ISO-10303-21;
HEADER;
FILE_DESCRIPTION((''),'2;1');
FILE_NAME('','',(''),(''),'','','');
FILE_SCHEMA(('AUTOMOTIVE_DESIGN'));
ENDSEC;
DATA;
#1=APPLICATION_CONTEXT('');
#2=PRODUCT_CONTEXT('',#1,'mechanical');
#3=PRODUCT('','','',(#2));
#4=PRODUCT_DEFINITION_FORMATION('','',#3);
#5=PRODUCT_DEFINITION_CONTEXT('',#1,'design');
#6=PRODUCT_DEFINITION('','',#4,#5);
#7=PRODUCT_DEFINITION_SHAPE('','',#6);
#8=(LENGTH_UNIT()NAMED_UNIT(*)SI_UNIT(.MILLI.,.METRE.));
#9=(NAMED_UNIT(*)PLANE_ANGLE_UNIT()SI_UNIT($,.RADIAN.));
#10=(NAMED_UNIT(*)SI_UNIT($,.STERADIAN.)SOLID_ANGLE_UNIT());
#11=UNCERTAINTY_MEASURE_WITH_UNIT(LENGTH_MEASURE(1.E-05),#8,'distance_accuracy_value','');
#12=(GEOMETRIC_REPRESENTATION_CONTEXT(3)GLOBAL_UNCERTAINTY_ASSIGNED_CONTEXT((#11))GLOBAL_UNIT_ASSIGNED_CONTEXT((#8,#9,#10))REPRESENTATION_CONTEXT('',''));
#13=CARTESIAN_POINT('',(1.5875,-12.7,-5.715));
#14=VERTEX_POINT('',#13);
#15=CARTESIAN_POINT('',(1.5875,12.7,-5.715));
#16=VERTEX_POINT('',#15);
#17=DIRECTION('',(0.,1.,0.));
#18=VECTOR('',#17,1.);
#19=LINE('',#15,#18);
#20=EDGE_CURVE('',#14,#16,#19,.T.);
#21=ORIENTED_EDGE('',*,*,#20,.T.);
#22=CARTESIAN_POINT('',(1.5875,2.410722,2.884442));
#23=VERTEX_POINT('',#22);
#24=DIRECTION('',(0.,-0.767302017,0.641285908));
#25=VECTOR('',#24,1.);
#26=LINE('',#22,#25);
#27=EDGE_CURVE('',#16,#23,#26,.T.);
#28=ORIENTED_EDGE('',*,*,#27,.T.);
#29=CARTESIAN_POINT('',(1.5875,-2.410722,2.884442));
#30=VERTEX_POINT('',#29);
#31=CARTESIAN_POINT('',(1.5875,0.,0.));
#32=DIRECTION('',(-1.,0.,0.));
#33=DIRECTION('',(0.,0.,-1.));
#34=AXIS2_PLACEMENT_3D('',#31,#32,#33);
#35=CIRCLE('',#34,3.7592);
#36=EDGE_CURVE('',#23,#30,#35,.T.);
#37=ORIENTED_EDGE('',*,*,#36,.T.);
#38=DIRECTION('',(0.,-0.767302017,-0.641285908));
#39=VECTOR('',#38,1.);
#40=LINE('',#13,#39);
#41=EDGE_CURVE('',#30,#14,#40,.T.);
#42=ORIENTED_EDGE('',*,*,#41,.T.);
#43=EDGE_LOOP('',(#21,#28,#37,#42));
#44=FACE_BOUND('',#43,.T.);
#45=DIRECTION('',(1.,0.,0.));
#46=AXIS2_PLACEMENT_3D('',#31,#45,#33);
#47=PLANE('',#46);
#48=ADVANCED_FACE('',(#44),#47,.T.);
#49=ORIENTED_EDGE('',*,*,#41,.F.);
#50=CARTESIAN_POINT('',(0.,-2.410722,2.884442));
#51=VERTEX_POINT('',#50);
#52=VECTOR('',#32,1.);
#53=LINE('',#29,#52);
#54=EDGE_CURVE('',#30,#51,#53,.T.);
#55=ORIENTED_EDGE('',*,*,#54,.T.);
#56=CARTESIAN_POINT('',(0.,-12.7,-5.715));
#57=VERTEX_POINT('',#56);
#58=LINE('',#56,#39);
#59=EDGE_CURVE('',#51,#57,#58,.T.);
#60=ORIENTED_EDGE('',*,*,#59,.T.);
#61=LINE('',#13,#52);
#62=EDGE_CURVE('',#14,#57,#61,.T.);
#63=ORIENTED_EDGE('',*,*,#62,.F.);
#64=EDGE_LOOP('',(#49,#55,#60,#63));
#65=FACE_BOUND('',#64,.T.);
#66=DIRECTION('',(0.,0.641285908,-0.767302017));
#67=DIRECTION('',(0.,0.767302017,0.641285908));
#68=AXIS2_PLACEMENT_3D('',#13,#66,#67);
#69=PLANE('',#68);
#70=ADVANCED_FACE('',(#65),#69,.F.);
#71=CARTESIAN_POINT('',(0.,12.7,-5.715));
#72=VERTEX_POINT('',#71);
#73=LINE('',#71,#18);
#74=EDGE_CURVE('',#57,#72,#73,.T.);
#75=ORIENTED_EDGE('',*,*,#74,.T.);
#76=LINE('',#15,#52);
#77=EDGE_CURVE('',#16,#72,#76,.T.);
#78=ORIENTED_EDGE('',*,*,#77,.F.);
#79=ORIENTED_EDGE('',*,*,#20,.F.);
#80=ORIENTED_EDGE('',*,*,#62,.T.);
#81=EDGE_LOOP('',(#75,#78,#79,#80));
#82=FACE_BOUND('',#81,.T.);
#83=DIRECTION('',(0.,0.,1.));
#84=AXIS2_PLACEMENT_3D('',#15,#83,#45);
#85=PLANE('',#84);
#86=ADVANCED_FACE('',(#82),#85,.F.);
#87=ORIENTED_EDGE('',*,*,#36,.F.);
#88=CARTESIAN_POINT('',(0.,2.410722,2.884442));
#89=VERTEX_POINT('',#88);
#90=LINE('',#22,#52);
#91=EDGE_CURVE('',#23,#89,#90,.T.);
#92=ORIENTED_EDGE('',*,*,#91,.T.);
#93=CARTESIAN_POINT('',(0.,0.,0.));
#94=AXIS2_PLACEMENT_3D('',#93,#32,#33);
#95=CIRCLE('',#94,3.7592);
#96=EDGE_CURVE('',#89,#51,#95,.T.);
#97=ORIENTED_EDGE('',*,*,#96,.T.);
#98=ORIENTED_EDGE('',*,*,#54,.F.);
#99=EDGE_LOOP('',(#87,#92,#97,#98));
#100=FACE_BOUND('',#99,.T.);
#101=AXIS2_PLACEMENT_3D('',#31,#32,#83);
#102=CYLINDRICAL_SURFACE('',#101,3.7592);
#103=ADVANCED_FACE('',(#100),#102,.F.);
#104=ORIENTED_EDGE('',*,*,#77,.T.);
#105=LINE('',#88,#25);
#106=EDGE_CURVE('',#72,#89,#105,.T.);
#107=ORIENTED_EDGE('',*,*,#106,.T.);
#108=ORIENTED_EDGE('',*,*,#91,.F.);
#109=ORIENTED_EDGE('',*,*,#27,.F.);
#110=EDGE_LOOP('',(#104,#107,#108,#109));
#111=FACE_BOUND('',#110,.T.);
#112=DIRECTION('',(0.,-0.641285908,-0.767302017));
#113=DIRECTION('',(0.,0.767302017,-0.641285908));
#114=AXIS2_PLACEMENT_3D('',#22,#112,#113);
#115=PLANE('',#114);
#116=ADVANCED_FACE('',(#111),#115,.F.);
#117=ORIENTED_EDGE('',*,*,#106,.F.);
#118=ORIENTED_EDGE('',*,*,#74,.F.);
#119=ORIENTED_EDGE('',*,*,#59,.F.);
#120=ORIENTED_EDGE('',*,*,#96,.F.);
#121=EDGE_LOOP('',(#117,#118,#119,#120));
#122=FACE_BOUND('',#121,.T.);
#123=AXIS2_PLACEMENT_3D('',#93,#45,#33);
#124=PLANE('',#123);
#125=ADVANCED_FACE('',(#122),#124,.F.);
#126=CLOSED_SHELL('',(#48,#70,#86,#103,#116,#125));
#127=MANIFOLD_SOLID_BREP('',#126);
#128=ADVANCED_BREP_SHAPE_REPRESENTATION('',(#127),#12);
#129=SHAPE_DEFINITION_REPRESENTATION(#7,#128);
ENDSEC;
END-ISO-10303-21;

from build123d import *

# Parameters (mm, degrees)
BOSS_EXTRUDE1_DEPTH = 1.5875


with BuildPart() as part:
    # Sketch1 → Boss-Extrude1 (new body)
    with BuildSketch(Plane(origin=(0, 0, 0), x_dir=(0, 0, -1), z_dir=(1, 0, 0))):
        with BuildLine():
            Line((-2.884441741, 2.410721984), (5.715, 12.7))
            Line((5.715, 12.7), (5.715, -12.7))
            Line((5.715, -12.7), (-2.884441741, -2.410721984))
            ThreePointArc((-2.884441741, -2.410721984), (3.7592, 0), (-2.884441741, 2.410721984))
        make_face()
    extrude(amount=BOSS_EXTRUDE1_DEPTH)


solid = part.part
